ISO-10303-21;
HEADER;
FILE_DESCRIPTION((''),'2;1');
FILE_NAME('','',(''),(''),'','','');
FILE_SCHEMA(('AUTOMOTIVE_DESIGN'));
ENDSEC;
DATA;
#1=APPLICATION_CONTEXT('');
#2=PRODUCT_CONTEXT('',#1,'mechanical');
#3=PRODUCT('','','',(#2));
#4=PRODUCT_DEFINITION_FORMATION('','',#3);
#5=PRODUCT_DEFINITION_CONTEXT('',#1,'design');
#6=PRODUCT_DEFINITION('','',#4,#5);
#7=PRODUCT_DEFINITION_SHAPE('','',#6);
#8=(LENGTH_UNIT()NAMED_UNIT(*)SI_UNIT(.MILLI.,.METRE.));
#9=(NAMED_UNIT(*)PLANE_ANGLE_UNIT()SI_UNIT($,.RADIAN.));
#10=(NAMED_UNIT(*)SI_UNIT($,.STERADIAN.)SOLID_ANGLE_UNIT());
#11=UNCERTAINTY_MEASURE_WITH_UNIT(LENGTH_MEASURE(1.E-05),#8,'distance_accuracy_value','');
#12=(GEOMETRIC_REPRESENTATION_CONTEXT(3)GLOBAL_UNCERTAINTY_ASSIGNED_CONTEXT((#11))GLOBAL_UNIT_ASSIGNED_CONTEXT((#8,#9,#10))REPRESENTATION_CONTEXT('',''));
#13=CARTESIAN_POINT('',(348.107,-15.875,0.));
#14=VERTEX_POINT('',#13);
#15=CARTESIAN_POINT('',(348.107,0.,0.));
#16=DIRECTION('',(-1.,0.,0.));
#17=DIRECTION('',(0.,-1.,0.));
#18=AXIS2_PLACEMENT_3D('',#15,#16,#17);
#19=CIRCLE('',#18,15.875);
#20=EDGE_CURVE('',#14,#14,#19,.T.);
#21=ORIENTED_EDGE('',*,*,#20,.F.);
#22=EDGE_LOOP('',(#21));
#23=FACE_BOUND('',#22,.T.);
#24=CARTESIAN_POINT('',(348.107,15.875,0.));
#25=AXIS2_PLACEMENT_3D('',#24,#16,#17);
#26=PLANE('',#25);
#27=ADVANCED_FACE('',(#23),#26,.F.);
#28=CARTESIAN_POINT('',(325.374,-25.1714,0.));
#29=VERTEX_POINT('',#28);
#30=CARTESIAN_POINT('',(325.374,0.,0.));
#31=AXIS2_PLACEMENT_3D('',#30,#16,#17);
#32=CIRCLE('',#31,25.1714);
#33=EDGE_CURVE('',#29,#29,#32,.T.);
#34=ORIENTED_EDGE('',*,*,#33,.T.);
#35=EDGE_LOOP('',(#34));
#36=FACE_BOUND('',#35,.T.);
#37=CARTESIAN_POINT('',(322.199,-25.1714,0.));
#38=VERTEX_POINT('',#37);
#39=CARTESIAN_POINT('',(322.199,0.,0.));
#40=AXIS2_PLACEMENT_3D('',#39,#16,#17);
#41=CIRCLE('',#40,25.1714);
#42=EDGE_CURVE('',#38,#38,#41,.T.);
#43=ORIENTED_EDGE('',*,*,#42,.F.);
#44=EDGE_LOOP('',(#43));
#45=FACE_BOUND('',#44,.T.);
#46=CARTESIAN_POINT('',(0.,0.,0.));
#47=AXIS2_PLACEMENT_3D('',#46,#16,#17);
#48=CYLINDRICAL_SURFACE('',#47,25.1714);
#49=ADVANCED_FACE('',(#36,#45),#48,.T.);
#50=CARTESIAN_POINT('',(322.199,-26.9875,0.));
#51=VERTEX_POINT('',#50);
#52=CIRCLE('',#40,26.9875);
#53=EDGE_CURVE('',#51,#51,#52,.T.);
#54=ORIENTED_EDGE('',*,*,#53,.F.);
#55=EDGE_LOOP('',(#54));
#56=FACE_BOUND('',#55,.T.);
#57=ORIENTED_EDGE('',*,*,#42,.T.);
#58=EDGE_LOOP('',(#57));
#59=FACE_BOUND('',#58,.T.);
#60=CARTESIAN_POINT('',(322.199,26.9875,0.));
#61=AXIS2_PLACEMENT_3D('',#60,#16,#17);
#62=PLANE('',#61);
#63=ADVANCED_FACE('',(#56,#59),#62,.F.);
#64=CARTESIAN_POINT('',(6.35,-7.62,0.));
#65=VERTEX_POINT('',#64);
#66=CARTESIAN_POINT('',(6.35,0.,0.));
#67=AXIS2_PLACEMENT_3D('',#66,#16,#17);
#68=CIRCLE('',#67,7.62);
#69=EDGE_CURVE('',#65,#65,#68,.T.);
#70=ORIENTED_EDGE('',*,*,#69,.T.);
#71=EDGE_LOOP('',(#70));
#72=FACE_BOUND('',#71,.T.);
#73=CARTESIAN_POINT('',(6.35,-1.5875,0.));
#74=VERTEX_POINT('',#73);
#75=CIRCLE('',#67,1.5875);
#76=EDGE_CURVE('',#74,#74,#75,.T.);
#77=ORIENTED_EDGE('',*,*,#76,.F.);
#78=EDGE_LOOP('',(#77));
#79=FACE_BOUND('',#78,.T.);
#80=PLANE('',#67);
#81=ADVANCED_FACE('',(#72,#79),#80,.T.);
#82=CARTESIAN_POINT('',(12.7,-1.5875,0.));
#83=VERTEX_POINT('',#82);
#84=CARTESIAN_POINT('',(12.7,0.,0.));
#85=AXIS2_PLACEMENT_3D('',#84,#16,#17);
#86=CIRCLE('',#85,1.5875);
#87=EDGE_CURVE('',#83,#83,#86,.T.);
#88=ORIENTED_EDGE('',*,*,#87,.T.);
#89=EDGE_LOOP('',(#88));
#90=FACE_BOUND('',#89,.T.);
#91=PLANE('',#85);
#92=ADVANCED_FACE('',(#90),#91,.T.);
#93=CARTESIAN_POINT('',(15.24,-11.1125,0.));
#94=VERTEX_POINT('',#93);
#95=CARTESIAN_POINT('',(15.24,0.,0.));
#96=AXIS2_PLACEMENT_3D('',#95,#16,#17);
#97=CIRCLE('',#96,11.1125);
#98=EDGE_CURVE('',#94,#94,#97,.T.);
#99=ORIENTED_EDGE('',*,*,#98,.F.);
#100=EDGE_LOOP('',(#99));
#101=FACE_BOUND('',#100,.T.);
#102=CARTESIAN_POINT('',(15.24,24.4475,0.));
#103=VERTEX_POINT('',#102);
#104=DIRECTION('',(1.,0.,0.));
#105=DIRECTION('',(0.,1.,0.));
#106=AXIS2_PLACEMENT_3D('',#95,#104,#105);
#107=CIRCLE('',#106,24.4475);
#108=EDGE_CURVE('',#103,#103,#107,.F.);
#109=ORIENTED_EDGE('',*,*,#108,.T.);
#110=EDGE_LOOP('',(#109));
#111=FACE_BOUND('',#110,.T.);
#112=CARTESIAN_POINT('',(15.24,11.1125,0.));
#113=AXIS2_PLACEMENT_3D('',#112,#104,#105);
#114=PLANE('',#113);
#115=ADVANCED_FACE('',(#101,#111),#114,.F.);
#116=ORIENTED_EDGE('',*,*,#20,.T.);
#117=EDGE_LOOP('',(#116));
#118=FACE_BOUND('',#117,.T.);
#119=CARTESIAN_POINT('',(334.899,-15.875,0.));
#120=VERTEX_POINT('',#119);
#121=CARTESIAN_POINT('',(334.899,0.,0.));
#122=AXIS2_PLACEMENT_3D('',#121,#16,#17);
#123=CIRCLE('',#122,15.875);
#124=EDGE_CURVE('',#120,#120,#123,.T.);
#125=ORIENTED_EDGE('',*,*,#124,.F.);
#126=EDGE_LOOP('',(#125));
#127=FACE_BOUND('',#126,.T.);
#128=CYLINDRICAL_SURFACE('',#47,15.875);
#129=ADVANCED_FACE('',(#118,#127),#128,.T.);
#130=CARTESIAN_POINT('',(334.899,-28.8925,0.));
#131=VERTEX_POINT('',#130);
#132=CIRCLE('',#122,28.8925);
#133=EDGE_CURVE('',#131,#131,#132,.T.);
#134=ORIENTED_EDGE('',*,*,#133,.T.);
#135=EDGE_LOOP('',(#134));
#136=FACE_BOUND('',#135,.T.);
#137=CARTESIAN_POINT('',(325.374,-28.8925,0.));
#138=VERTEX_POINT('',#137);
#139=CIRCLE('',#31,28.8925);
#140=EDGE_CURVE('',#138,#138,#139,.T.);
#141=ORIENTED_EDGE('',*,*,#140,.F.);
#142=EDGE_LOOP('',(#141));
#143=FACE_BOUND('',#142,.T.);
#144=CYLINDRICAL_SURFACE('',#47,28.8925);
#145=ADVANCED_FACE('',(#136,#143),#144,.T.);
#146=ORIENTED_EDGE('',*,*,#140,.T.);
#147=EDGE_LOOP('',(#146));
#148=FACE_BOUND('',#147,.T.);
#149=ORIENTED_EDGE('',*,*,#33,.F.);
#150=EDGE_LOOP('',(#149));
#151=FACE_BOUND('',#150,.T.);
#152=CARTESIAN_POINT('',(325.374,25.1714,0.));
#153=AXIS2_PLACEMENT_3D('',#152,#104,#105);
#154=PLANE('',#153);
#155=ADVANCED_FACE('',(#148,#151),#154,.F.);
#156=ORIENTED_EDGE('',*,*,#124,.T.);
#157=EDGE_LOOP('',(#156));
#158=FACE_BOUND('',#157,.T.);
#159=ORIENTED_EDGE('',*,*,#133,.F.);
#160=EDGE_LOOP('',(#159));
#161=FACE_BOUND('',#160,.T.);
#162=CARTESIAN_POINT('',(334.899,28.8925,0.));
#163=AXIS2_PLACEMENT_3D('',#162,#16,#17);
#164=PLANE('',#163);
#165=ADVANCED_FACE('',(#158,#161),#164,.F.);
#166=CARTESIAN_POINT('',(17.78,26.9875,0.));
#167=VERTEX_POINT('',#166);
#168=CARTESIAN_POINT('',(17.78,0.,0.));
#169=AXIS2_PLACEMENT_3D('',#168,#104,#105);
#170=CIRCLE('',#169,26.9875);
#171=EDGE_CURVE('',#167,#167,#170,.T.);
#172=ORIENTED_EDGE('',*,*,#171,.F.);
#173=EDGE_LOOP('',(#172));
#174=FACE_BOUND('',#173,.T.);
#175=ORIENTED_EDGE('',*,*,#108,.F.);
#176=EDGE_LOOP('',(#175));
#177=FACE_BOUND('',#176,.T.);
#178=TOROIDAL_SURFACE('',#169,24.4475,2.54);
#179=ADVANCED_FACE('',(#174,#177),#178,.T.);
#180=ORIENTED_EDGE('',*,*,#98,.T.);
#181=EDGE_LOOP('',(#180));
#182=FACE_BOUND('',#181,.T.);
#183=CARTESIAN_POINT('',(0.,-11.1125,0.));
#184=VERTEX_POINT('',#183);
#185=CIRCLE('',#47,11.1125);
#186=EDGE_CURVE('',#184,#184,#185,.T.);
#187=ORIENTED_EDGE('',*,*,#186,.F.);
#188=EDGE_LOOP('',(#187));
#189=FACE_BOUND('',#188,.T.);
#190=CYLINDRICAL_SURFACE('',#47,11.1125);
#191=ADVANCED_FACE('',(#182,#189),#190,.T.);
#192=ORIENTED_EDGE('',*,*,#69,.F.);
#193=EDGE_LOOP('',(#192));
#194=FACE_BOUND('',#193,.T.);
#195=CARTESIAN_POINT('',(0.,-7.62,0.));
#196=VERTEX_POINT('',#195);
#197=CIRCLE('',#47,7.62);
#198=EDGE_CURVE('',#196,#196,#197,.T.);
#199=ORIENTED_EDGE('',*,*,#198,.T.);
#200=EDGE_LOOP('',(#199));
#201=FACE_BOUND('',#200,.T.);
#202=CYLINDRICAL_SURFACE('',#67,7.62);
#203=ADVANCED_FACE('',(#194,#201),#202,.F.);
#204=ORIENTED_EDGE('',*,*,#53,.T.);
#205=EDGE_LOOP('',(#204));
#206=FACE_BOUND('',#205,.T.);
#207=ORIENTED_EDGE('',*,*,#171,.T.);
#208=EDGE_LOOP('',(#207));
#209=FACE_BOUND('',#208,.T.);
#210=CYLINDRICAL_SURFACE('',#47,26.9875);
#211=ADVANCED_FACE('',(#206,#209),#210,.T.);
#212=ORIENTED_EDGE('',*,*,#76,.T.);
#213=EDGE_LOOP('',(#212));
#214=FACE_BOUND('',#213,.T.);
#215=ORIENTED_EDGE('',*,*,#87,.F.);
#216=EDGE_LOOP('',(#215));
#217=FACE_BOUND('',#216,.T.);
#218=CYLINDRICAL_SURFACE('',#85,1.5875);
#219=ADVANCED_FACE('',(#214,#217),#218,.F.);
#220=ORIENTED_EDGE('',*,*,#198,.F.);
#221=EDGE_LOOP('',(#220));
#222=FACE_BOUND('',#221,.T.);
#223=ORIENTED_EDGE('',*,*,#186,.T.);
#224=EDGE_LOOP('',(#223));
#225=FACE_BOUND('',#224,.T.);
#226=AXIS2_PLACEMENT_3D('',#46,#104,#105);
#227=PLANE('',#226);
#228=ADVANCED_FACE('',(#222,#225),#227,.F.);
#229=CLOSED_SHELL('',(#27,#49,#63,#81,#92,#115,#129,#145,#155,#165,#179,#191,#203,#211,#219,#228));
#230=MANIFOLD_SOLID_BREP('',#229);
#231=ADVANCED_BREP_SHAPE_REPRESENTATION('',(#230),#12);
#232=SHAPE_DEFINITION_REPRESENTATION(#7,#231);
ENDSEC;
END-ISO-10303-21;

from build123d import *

# Parameters (mm, degrees)
FILLET1_R          = 2.54
SKETCH2_R          = 7.62
CUT_EXTRUDE1_DEPTH = 6.35
SKETCH3_R          = 1.5875
CUT_EXTRUDE2_DEPTH = 6.35


with BuildPart() as part:
    # Sketch1 → Revolve1 (revolve)
    with BuildSketch(Plane.XY):
        Polygon((0, 0), (0, 11.1125), (15.24, 11.1125), (15.24, 26.9875), (322.199, 26.9875), (322.199, 25.1714), (325.374, 25.1714), (325.374, 28.8925), (334.899, 28.8925), (334.899, 15.875), (348.107, 15.875), (348.107, 0), align=None)
    revolve(axis=Axis((0, 0, 0), (1, 0, 0)))

    # Fillet1
    fillet1_edges = [part.edges().sort_by_distance(p)[0] for p in [
        (15.24, -26.9875, 0),
    ]]
    fillet(fillet1_edges, radius=FILLET1_R)

    # Sketch2 → Cut-Extrude1 (cut)
    with BuildSketch(Plane.ZY):
        Circle(SKETCH2_R)
    extrude(amount=-CUT_EXTRUDE1_DEPTH, mode=Mode.SUBTRACT)

    # Sketch3 → Cut-Extrude2 (cut)
    with BuildSketch(Plane.ZY.offset(-6.35)):
        Circle(SKETCH3_R)
    extrude(amount=-CUT_EXTRUDE2_DEPTH, mode=Mode.SUBTRACT)


solid = part.part
